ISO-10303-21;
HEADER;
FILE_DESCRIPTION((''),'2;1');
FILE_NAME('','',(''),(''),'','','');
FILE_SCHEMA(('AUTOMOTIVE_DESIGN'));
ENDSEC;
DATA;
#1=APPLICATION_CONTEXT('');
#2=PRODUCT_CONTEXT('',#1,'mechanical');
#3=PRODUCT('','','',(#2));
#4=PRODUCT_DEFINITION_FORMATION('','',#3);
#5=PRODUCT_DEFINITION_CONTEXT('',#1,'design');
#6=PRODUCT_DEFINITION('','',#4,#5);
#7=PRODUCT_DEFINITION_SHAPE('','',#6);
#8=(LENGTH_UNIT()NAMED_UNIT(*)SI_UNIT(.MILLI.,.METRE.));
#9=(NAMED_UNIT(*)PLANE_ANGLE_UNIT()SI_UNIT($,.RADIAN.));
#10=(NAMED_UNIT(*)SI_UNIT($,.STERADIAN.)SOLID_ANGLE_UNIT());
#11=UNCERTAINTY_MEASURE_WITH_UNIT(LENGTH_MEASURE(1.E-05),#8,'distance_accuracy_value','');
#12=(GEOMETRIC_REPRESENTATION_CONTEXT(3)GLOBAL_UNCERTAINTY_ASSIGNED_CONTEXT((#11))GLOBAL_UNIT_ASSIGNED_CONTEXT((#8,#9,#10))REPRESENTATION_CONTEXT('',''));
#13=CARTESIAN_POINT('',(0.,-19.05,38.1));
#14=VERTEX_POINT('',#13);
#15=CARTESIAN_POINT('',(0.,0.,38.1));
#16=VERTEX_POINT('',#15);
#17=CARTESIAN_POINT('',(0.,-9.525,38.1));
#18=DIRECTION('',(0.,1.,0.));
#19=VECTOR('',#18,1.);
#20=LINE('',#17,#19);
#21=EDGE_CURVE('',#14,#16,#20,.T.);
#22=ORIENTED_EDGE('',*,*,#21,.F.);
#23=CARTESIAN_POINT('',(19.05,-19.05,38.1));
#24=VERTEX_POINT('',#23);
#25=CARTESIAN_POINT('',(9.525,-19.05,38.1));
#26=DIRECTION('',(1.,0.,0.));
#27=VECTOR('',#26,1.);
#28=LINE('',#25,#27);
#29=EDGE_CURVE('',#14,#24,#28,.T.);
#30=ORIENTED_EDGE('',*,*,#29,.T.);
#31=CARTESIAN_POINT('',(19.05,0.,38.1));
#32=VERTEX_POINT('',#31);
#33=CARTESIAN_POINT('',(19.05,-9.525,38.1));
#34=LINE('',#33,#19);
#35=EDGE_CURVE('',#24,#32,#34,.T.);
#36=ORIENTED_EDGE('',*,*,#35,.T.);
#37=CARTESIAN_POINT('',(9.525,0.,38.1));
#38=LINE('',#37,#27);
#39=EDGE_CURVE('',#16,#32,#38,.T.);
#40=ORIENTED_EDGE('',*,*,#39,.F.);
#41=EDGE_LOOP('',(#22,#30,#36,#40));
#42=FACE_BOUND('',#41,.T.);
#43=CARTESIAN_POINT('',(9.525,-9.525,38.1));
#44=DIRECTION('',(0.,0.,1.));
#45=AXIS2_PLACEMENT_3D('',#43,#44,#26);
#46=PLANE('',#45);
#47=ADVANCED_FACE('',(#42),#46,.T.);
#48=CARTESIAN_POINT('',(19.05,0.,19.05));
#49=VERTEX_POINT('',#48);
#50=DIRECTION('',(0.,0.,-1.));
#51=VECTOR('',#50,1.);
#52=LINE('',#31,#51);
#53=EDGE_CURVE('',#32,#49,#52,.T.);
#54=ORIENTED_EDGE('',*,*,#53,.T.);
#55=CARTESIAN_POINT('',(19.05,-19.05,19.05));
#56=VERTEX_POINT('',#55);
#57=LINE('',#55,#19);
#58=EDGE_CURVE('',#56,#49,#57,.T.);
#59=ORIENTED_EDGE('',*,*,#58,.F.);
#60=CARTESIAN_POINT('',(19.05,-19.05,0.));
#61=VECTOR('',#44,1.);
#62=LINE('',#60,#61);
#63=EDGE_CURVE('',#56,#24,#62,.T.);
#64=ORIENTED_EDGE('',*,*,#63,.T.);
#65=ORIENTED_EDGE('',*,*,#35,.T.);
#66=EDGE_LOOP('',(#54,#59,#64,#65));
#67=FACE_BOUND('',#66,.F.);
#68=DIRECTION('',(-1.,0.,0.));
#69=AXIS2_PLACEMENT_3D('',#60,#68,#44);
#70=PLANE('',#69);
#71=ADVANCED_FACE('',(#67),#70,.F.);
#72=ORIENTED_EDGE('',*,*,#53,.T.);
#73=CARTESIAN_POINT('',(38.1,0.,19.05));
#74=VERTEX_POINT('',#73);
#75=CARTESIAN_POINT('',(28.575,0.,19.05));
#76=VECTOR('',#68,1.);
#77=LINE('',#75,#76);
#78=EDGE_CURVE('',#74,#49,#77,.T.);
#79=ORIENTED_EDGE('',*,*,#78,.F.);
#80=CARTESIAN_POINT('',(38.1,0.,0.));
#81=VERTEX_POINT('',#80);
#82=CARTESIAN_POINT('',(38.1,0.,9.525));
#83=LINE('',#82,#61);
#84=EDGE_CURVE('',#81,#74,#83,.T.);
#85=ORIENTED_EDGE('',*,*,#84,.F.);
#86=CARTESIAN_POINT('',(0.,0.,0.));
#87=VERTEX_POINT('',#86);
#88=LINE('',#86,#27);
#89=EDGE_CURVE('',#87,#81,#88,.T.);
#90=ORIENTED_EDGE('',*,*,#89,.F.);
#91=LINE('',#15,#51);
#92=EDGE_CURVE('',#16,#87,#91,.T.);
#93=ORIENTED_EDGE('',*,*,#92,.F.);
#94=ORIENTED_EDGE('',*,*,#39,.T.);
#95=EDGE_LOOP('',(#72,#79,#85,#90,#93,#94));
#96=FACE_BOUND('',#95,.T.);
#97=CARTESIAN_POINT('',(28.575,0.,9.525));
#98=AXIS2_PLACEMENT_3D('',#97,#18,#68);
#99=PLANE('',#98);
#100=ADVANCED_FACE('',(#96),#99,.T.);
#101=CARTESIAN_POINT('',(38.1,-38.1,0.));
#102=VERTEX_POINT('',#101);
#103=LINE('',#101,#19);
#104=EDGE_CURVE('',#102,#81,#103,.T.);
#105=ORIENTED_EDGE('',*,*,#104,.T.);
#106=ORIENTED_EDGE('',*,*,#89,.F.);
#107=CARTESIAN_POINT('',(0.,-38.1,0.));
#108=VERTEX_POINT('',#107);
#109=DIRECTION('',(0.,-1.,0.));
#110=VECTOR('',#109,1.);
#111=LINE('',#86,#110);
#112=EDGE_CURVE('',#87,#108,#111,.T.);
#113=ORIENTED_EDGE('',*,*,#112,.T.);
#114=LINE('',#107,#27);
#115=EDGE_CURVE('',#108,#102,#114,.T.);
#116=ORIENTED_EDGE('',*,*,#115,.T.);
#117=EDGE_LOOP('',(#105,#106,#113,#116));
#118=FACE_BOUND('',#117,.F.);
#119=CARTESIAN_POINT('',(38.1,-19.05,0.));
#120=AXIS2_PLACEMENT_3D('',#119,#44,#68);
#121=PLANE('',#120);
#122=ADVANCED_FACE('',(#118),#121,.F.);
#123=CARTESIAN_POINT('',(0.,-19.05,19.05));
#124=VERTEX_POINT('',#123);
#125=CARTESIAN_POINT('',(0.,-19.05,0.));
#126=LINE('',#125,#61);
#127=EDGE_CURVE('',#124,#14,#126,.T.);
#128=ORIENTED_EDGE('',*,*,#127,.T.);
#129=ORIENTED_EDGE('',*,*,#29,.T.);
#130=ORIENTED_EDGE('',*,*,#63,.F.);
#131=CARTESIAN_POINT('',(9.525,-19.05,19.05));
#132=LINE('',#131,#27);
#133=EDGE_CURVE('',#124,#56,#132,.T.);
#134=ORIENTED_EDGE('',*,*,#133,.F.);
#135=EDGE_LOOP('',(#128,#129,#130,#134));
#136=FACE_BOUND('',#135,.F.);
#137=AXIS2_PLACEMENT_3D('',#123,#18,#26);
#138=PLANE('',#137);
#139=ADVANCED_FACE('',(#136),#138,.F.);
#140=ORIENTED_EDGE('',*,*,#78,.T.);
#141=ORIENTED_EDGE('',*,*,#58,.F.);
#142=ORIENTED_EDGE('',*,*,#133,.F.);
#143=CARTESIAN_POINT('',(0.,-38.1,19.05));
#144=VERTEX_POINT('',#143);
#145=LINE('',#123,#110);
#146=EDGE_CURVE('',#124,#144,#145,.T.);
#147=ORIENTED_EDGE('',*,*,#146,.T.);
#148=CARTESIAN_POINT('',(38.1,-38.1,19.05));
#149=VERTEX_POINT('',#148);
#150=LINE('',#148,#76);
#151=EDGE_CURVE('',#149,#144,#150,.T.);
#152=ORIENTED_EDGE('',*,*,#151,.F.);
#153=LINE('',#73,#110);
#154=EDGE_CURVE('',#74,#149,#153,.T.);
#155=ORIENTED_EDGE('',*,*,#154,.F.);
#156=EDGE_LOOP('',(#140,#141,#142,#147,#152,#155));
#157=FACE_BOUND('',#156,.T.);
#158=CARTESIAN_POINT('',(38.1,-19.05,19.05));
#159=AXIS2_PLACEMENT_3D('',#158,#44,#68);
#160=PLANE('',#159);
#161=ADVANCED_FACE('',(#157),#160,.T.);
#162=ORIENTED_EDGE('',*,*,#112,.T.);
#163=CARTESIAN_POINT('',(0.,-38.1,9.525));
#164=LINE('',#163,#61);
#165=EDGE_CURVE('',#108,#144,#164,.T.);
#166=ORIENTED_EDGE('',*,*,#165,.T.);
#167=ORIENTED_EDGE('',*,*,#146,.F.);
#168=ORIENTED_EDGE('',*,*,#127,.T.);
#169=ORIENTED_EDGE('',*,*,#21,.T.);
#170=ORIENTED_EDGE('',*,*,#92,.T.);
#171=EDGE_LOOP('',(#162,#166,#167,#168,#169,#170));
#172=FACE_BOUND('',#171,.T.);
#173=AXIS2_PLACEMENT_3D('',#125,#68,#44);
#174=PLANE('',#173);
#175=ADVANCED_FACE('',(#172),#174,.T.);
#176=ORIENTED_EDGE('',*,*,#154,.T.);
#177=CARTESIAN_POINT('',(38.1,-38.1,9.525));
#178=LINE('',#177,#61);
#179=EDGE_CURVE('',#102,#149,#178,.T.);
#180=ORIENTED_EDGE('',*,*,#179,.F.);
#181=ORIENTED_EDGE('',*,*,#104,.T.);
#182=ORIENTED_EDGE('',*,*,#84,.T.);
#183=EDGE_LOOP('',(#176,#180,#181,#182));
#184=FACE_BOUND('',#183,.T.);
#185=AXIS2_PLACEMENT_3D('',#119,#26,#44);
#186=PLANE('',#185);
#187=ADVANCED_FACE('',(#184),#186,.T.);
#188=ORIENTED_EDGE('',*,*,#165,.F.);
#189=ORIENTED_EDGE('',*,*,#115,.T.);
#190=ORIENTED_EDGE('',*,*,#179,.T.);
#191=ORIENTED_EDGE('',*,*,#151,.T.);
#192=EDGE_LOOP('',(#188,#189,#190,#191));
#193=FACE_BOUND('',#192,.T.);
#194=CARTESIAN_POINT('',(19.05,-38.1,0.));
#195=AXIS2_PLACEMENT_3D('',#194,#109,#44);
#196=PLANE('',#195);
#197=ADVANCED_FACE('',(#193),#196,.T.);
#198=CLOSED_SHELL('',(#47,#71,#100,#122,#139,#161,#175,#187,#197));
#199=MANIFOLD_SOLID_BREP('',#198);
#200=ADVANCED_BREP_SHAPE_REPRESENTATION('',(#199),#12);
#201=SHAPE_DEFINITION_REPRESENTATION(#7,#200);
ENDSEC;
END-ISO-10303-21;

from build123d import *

# Parameters (mm, degrees)
F0_W      = 19.05
F0_H      = 19.05
F1_DEPTH  = 19.05
F1_FACE_W = 19.05
F1_FACE_H = 19.05
F2_DEPTH  = 19.05
F3_W      = 19.05
F3_H      = 19.05
F4_DEPTH  = 19.05
F5_W      = 19.05
F5_H      = 19.05
F6_DEPTH  = 19.05
F6_FACE_W = 19.05
F6_FACE_H = 19.05
F7_DEPTH  = 19.05


with BuildPart() as f1:
    # F0 (on Top) → F1 (new body)
    with BuildSketch(Plane.XY):
        with Locations((9.525, -9.525)):
            Rectangle(F0_W, F0_H)
    extrude(amount=F1_DEPTH)

    # F1_face (on face) → F2 (join)
    with BuildSketch(Plane(origin=(9.525, -9.525, 19.05), x_dir=(1, 0, 0), z_dir=(0, 0, 1))):
        Rectangle(F1_FACE_W, F1_FACE_H)
    extrude(amount=F2_DEPTH)

    # F3 (on face) → F4 (join)
    with BuildSketch(Plane.XZ.offset(19.05)):
        with Locations((9.525, 9.525)):
            Rectangle(F3_W, F3_H)
    extrude(amount=F4_DEPTH)

    # F5 (on face) → F6 (join)
    with BuildSketch(Plane.YZ.offset(19.05)):
        with Locations((-28.575, 9.525)):
            Rectangle(F5_W, F5_H)
    extrude(amount=F6_DEPTH)

    # F6_face (on face) → F7 (join)
    with BuildSketch(Plane(origin=(28.575, -19.05, 9.525), x_dir=(-1, 0, 0), z_dir=(0, 1, 0))):
        Rectangle(F6_FACE_W, F6_FACE_H)
    extrude(amount=F7_DEPTH)


solid = f1.part
